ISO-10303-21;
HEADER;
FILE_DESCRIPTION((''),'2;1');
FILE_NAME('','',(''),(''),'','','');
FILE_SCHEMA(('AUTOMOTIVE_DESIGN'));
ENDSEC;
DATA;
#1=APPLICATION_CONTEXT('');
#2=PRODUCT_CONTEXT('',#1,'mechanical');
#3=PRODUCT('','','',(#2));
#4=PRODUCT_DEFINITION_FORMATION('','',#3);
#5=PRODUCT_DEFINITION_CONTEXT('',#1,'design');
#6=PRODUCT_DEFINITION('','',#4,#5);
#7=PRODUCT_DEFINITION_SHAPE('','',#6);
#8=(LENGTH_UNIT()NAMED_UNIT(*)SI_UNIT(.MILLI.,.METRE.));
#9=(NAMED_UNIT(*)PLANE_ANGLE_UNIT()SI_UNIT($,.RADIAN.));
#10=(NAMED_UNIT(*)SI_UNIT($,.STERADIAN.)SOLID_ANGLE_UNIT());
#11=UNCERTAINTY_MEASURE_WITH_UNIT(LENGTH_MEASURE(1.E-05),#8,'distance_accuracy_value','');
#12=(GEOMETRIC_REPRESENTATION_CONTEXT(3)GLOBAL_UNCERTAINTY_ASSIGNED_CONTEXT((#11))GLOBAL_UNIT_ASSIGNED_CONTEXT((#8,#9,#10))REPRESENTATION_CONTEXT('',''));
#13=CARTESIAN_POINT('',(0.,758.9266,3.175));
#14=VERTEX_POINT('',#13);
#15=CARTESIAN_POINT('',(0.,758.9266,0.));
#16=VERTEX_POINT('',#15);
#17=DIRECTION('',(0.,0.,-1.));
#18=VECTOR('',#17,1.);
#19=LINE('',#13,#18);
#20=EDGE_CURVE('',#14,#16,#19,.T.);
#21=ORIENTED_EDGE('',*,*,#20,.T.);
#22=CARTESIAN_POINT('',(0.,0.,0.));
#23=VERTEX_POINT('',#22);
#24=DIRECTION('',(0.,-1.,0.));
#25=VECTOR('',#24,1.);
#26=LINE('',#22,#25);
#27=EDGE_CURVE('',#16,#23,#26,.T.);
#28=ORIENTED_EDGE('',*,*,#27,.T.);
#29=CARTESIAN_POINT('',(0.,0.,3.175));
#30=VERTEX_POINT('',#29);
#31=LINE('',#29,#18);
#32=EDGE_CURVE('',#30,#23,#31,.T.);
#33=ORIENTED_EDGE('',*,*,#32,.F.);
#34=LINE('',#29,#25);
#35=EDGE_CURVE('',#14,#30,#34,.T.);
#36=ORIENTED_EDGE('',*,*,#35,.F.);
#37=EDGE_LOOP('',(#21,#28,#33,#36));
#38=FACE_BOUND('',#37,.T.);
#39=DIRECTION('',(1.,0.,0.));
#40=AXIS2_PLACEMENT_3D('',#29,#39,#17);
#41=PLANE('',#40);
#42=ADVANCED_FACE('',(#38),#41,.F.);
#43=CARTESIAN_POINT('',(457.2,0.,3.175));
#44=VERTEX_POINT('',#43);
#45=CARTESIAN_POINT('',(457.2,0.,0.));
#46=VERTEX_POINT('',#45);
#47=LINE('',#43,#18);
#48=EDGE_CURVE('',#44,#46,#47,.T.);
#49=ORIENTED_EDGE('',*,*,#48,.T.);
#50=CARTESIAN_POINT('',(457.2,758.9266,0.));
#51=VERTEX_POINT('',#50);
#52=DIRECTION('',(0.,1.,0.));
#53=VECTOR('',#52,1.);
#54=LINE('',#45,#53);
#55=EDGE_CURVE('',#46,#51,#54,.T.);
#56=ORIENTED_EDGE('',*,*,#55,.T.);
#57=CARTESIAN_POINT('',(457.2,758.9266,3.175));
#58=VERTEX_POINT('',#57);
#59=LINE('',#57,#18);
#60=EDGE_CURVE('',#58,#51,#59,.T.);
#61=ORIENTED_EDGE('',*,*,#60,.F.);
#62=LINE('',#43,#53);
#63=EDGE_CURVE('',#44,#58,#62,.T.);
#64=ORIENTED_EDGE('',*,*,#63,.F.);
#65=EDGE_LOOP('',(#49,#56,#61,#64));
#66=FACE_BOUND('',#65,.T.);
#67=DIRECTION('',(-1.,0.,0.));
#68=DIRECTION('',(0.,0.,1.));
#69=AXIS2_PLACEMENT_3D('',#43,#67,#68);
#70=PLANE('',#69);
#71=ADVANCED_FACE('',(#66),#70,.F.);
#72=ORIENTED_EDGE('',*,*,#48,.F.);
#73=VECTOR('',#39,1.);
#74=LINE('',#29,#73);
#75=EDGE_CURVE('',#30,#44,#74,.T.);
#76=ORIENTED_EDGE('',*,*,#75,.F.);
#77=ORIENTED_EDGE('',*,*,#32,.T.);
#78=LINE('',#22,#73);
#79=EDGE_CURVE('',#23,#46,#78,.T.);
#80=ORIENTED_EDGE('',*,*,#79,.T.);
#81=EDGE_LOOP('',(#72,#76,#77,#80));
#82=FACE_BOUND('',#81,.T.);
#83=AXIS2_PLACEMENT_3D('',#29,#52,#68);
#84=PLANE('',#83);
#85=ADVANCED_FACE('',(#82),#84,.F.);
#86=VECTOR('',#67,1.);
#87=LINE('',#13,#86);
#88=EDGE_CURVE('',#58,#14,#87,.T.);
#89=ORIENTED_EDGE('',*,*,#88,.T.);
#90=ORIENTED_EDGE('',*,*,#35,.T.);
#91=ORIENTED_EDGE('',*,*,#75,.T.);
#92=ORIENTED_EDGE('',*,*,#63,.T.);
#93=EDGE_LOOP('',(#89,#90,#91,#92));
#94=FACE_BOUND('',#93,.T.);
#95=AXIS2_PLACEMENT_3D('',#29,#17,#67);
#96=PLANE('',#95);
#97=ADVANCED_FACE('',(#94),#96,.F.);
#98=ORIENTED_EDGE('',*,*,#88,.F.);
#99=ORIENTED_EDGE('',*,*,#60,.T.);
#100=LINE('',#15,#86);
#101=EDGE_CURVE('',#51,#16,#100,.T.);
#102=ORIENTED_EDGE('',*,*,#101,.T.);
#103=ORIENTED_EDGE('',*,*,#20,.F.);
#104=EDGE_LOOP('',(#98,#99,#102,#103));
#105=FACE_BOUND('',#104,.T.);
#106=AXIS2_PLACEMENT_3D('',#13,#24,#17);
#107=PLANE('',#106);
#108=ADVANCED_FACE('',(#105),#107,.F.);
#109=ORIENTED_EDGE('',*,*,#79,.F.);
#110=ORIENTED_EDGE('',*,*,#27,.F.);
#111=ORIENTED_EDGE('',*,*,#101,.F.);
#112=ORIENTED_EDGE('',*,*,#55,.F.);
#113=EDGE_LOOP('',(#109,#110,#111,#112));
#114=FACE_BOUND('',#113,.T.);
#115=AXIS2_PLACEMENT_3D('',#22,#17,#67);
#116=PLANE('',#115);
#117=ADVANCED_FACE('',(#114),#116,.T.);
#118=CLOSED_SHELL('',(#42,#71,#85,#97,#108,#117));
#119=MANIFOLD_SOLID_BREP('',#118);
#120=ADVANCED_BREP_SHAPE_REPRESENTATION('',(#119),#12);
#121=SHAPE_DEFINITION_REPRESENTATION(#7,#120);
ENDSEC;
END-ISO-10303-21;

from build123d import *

# Parameters (mm, degrees)
SKETCH1_W           = 457.2
SKETCH1_H           = 758.9266
BOSS_EXTRUDE1_DEPTH = 3.175


with BuildPart() as part:
    # Sketch1 → Boss-Extrude1 (new body)
    with BuildSketch(Plane.XY):
        with Locations((228.6, 379.4633)):
            Rectangle(SKETCH1_W, SKETCH1_H)
    extrude(amount=BOSS_EXTRUDE1_DEPTH)


solid = part.part
